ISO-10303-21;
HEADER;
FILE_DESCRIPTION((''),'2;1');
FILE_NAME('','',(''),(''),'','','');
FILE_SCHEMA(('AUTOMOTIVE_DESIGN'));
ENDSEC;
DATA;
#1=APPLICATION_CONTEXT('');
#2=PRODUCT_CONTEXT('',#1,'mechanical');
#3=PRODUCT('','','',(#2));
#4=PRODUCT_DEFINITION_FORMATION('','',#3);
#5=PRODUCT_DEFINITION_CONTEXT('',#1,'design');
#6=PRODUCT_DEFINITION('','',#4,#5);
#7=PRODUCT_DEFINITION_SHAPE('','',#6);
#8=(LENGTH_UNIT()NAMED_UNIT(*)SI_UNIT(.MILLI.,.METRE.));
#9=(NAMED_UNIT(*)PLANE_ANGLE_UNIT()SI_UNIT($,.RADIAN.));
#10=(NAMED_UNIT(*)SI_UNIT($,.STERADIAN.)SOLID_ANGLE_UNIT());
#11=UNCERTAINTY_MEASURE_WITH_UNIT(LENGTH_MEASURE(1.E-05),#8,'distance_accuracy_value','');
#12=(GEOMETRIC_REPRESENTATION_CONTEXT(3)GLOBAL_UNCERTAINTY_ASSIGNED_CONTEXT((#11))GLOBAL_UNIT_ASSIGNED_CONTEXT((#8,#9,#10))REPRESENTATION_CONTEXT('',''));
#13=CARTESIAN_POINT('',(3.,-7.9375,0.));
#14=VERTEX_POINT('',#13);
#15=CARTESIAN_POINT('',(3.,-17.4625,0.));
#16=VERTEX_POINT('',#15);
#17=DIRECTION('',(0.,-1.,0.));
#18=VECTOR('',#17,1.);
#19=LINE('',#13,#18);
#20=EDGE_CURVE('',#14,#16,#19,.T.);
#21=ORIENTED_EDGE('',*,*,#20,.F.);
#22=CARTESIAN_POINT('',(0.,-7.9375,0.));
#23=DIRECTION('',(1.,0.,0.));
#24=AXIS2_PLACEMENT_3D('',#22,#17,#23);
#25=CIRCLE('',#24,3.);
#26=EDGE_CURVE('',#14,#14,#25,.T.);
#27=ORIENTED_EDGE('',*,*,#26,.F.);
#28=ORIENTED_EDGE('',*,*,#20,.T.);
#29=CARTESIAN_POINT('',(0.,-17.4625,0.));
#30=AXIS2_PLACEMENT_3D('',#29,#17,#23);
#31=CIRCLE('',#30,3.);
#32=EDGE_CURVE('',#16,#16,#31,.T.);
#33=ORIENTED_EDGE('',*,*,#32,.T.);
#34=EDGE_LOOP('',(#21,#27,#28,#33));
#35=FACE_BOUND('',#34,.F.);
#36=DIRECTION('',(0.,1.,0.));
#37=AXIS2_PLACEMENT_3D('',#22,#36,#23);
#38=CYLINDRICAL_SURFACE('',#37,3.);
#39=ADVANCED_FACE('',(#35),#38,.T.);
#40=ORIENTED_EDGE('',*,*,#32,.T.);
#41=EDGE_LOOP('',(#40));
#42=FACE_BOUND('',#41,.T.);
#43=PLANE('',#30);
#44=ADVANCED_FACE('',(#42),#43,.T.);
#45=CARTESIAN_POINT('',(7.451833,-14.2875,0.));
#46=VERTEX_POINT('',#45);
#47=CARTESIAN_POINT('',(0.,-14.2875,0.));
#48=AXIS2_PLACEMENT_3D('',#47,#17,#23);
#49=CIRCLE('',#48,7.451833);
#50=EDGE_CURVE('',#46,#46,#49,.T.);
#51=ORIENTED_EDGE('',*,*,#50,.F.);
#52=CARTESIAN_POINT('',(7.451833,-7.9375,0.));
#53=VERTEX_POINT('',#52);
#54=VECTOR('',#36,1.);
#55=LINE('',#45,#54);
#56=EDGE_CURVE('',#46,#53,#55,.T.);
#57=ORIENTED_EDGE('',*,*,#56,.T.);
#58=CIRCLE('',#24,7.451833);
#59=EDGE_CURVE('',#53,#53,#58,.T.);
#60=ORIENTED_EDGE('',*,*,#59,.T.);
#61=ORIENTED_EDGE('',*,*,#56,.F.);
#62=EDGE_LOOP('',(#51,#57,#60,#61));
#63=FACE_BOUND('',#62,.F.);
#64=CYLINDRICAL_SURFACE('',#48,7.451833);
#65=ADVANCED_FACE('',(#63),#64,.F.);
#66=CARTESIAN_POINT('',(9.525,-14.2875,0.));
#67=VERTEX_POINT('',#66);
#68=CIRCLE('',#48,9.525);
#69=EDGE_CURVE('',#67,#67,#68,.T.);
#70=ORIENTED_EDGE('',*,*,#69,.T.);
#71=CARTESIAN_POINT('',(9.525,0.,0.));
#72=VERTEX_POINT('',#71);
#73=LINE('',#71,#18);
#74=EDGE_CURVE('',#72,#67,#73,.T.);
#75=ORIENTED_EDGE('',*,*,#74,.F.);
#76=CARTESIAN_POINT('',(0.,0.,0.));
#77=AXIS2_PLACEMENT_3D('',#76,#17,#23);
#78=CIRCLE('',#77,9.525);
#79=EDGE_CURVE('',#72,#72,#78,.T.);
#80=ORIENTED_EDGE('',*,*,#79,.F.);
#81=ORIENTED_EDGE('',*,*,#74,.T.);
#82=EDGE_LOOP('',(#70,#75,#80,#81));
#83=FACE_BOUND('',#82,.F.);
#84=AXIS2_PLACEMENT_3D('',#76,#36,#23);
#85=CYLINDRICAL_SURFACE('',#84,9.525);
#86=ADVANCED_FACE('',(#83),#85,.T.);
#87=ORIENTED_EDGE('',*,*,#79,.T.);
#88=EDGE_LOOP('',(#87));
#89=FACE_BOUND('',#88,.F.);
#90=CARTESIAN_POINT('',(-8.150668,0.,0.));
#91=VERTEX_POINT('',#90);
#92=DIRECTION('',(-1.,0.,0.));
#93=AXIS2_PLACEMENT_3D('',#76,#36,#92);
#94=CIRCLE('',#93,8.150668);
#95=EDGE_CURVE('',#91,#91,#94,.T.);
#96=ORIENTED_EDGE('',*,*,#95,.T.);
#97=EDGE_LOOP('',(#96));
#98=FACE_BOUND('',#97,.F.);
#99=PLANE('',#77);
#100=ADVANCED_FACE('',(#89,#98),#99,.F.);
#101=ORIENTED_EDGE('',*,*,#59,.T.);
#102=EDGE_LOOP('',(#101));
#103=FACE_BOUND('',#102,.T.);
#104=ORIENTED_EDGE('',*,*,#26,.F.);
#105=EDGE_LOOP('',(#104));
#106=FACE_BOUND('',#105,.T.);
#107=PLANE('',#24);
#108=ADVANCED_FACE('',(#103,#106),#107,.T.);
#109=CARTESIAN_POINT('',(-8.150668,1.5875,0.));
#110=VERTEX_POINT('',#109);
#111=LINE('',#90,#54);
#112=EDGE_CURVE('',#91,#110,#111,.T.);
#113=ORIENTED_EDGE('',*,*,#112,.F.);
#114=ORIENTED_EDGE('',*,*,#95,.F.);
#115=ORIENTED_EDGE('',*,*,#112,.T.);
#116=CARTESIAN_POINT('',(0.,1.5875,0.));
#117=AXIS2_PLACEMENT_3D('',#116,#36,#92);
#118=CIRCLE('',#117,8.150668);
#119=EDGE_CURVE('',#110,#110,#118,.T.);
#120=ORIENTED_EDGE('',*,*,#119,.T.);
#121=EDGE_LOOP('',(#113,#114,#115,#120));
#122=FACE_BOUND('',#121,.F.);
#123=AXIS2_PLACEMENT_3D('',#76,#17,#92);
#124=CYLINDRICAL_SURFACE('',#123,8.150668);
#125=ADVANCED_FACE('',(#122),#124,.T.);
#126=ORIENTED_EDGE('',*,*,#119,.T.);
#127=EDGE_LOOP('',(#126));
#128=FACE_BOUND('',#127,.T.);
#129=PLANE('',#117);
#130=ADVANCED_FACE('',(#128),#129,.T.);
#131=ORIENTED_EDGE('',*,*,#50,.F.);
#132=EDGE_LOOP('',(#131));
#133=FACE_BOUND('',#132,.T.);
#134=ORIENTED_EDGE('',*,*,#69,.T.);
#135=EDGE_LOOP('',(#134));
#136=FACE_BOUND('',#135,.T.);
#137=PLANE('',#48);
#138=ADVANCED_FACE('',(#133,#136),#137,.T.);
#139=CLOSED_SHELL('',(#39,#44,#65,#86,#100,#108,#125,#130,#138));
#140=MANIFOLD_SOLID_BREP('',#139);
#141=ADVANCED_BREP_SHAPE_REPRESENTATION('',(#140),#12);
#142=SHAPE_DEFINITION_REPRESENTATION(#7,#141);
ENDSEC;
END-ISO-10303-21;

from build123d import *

# Parameters (mm, degrees)
F0_R     = 9.525
F1_DEPTH = 14.2875
F2_R     = 8.150668
F3_DEPTH = 1.5875
F4_R     = 7.451833
F5_DEPTH = 6.35
F6_R     = 3
F7_DEPTH = 9.525


with BuildPart() as f1:
    # F0 (on Front) → F1 (new body)
    with BuildSketch(Plane.XZ):
        Circle(F0_R)
    extrude(amount=F1_DEPTH)

    # F2 (on face) → F3 (join)
    with BuildSketch(Plane(origin=(0, 0, 0), x_dir=(-1, 0, 0), z_dir=(0, 1, 0))):
        Circle(F2_R)
    extrude(amount=F3_DEPTH)

    # F4 (on face) → F5 (cut)
    with BuildSketch(Plane.XZ.offset(14.2875)):
        Circle(F4_R)
    extrude(amount=-F5_DEPTH, mode=Mode.SUBTRACT)

    # F6 (on face) → F7 (join)
    with BuildSketch(Plane.XZ.offset(7.9375)):
        Circle(F6_R)
    extrude(amount=F7_DEPTH)


solid = f1.part
